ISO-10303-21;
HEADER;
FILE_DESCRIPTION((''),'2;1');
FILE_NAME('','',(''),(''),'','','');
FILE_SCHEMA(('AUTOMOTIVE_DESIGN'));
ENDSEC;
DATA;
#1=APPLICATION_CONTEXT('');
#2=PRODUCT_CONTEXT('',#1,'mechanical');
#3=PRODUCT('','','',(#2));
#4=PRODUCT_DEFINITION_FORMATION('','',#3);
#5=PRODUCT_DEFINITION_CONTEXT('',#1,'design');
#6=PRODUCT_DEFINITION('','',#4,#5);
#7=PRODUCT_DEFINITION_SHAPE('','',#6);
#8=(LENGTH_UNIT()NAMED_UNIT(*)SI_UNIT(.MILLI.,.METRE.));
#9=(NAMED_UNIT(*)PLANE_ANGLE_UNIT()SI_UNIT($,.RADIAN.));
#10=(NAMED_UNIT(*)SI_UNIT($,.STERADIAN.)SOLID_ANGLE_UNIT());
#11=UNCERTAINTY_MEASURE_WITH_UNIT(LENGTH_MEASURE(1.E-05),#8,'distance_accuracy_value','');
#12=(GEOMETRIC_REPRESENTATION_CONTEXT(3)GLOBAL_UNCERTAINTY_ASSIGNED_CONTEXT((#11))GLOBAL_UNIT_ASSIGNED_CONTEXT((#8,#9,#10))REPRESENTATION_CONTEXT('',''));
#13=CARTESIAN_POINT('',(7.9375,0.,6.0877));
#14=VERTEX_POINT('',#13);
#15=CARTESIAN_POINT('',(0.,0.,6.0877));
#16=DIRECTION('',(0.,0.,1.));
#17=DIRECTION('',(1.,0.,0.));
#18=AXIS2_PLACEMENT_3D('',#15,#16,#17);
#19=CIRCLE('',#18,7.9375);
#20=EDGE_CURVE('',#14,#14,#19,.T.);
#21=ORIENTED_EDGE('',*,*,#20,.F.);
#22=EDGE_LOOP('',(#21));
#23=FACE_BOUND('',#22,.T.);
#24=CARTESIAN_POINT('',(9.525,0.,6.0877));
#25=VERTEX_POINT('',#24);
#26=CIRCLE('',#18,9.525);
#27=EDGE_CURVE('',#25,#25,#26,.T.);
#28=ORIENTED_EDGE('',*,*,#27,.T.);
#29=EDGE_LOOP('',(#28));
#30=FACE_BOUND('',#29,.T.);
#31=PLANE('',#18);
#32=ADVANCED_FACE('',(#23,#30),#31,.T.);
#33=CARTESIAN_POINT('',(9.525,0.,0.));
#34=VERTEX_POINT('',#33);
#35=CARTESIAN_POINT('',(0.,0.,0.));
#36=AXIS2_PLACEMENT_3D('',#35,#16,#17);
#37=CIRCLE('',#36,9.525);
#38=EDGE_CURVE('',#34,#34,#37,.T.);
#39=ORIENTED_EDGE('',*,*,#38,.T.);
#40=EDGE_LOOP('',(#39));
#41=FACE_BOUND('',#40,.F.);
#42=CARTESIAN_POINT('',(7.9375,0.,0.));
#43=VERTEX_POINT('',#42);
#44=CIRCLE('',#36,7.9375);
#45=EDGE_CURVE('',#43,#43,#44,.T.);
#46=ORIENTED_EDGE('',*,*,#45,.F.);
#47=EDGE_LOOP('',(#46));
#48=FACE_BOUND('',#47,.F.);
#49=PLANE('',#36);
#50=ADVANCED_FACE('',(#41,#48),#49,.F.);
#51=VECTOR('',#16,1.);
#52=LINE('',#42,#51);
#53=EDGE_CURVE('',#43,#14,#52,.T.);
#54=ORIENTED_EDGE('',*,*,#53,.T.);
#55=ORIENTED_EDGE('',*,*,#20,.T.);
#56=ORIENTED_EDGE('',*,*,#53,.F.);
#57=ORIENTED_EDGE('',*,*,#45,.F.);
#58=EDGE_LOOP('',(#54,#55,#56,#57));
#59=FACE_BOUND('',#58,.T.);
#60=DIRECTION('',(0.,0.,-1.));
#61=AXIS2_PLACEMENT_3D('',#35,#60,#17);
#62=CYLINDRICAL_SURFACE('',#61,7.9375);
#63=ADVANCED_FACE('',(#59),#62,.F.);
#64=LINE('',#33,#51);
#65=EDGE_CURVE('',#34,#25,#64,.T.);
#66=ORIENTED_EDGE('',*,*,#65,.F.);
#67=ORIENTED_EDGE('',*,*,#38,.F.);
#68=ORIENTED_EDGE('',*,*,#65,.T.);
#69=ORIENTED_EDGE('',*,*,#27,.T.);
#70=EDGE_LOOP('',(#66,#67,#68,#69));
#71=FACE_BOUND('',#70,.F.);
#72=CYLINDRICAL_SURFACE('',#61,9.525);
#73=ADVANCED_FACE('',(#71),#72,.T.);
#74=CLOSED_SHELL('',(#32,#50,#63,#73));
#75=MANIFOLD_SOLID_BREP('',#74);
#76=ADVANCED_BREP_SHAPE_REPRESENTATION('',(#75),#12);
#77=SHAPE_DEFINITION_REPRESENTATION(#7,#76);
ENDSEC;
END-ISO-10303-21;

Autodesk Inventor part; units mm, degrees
ref_plane "YZ Plane" through (0, 0, 0) normal (1, 0, 0) x (0, 1, 0)
ref_plane "XZ Plane" through (0, 0, 0) normal (0, 1, 0) x (-1, 0, 0)
ref_plane "XY Plane" through (0, 0, 0) normal (0, 0, 1) x (1, 0, 0)
sketch "Sketch1" plane through (0, 0, 0) normal (0, 0, 1) x (1, 0, 0)
  circle A0 centre (0, 0) radius 9.525
  circle A1 centre (0, 0) radius 7.9375
  dimension "d0" = 15.875
  dimension "d1" = 19.05
extrude "Extrusion1" add sketch "Sketch1" along normal blind 6.0877
properties part number "Versa Spacer 1"
